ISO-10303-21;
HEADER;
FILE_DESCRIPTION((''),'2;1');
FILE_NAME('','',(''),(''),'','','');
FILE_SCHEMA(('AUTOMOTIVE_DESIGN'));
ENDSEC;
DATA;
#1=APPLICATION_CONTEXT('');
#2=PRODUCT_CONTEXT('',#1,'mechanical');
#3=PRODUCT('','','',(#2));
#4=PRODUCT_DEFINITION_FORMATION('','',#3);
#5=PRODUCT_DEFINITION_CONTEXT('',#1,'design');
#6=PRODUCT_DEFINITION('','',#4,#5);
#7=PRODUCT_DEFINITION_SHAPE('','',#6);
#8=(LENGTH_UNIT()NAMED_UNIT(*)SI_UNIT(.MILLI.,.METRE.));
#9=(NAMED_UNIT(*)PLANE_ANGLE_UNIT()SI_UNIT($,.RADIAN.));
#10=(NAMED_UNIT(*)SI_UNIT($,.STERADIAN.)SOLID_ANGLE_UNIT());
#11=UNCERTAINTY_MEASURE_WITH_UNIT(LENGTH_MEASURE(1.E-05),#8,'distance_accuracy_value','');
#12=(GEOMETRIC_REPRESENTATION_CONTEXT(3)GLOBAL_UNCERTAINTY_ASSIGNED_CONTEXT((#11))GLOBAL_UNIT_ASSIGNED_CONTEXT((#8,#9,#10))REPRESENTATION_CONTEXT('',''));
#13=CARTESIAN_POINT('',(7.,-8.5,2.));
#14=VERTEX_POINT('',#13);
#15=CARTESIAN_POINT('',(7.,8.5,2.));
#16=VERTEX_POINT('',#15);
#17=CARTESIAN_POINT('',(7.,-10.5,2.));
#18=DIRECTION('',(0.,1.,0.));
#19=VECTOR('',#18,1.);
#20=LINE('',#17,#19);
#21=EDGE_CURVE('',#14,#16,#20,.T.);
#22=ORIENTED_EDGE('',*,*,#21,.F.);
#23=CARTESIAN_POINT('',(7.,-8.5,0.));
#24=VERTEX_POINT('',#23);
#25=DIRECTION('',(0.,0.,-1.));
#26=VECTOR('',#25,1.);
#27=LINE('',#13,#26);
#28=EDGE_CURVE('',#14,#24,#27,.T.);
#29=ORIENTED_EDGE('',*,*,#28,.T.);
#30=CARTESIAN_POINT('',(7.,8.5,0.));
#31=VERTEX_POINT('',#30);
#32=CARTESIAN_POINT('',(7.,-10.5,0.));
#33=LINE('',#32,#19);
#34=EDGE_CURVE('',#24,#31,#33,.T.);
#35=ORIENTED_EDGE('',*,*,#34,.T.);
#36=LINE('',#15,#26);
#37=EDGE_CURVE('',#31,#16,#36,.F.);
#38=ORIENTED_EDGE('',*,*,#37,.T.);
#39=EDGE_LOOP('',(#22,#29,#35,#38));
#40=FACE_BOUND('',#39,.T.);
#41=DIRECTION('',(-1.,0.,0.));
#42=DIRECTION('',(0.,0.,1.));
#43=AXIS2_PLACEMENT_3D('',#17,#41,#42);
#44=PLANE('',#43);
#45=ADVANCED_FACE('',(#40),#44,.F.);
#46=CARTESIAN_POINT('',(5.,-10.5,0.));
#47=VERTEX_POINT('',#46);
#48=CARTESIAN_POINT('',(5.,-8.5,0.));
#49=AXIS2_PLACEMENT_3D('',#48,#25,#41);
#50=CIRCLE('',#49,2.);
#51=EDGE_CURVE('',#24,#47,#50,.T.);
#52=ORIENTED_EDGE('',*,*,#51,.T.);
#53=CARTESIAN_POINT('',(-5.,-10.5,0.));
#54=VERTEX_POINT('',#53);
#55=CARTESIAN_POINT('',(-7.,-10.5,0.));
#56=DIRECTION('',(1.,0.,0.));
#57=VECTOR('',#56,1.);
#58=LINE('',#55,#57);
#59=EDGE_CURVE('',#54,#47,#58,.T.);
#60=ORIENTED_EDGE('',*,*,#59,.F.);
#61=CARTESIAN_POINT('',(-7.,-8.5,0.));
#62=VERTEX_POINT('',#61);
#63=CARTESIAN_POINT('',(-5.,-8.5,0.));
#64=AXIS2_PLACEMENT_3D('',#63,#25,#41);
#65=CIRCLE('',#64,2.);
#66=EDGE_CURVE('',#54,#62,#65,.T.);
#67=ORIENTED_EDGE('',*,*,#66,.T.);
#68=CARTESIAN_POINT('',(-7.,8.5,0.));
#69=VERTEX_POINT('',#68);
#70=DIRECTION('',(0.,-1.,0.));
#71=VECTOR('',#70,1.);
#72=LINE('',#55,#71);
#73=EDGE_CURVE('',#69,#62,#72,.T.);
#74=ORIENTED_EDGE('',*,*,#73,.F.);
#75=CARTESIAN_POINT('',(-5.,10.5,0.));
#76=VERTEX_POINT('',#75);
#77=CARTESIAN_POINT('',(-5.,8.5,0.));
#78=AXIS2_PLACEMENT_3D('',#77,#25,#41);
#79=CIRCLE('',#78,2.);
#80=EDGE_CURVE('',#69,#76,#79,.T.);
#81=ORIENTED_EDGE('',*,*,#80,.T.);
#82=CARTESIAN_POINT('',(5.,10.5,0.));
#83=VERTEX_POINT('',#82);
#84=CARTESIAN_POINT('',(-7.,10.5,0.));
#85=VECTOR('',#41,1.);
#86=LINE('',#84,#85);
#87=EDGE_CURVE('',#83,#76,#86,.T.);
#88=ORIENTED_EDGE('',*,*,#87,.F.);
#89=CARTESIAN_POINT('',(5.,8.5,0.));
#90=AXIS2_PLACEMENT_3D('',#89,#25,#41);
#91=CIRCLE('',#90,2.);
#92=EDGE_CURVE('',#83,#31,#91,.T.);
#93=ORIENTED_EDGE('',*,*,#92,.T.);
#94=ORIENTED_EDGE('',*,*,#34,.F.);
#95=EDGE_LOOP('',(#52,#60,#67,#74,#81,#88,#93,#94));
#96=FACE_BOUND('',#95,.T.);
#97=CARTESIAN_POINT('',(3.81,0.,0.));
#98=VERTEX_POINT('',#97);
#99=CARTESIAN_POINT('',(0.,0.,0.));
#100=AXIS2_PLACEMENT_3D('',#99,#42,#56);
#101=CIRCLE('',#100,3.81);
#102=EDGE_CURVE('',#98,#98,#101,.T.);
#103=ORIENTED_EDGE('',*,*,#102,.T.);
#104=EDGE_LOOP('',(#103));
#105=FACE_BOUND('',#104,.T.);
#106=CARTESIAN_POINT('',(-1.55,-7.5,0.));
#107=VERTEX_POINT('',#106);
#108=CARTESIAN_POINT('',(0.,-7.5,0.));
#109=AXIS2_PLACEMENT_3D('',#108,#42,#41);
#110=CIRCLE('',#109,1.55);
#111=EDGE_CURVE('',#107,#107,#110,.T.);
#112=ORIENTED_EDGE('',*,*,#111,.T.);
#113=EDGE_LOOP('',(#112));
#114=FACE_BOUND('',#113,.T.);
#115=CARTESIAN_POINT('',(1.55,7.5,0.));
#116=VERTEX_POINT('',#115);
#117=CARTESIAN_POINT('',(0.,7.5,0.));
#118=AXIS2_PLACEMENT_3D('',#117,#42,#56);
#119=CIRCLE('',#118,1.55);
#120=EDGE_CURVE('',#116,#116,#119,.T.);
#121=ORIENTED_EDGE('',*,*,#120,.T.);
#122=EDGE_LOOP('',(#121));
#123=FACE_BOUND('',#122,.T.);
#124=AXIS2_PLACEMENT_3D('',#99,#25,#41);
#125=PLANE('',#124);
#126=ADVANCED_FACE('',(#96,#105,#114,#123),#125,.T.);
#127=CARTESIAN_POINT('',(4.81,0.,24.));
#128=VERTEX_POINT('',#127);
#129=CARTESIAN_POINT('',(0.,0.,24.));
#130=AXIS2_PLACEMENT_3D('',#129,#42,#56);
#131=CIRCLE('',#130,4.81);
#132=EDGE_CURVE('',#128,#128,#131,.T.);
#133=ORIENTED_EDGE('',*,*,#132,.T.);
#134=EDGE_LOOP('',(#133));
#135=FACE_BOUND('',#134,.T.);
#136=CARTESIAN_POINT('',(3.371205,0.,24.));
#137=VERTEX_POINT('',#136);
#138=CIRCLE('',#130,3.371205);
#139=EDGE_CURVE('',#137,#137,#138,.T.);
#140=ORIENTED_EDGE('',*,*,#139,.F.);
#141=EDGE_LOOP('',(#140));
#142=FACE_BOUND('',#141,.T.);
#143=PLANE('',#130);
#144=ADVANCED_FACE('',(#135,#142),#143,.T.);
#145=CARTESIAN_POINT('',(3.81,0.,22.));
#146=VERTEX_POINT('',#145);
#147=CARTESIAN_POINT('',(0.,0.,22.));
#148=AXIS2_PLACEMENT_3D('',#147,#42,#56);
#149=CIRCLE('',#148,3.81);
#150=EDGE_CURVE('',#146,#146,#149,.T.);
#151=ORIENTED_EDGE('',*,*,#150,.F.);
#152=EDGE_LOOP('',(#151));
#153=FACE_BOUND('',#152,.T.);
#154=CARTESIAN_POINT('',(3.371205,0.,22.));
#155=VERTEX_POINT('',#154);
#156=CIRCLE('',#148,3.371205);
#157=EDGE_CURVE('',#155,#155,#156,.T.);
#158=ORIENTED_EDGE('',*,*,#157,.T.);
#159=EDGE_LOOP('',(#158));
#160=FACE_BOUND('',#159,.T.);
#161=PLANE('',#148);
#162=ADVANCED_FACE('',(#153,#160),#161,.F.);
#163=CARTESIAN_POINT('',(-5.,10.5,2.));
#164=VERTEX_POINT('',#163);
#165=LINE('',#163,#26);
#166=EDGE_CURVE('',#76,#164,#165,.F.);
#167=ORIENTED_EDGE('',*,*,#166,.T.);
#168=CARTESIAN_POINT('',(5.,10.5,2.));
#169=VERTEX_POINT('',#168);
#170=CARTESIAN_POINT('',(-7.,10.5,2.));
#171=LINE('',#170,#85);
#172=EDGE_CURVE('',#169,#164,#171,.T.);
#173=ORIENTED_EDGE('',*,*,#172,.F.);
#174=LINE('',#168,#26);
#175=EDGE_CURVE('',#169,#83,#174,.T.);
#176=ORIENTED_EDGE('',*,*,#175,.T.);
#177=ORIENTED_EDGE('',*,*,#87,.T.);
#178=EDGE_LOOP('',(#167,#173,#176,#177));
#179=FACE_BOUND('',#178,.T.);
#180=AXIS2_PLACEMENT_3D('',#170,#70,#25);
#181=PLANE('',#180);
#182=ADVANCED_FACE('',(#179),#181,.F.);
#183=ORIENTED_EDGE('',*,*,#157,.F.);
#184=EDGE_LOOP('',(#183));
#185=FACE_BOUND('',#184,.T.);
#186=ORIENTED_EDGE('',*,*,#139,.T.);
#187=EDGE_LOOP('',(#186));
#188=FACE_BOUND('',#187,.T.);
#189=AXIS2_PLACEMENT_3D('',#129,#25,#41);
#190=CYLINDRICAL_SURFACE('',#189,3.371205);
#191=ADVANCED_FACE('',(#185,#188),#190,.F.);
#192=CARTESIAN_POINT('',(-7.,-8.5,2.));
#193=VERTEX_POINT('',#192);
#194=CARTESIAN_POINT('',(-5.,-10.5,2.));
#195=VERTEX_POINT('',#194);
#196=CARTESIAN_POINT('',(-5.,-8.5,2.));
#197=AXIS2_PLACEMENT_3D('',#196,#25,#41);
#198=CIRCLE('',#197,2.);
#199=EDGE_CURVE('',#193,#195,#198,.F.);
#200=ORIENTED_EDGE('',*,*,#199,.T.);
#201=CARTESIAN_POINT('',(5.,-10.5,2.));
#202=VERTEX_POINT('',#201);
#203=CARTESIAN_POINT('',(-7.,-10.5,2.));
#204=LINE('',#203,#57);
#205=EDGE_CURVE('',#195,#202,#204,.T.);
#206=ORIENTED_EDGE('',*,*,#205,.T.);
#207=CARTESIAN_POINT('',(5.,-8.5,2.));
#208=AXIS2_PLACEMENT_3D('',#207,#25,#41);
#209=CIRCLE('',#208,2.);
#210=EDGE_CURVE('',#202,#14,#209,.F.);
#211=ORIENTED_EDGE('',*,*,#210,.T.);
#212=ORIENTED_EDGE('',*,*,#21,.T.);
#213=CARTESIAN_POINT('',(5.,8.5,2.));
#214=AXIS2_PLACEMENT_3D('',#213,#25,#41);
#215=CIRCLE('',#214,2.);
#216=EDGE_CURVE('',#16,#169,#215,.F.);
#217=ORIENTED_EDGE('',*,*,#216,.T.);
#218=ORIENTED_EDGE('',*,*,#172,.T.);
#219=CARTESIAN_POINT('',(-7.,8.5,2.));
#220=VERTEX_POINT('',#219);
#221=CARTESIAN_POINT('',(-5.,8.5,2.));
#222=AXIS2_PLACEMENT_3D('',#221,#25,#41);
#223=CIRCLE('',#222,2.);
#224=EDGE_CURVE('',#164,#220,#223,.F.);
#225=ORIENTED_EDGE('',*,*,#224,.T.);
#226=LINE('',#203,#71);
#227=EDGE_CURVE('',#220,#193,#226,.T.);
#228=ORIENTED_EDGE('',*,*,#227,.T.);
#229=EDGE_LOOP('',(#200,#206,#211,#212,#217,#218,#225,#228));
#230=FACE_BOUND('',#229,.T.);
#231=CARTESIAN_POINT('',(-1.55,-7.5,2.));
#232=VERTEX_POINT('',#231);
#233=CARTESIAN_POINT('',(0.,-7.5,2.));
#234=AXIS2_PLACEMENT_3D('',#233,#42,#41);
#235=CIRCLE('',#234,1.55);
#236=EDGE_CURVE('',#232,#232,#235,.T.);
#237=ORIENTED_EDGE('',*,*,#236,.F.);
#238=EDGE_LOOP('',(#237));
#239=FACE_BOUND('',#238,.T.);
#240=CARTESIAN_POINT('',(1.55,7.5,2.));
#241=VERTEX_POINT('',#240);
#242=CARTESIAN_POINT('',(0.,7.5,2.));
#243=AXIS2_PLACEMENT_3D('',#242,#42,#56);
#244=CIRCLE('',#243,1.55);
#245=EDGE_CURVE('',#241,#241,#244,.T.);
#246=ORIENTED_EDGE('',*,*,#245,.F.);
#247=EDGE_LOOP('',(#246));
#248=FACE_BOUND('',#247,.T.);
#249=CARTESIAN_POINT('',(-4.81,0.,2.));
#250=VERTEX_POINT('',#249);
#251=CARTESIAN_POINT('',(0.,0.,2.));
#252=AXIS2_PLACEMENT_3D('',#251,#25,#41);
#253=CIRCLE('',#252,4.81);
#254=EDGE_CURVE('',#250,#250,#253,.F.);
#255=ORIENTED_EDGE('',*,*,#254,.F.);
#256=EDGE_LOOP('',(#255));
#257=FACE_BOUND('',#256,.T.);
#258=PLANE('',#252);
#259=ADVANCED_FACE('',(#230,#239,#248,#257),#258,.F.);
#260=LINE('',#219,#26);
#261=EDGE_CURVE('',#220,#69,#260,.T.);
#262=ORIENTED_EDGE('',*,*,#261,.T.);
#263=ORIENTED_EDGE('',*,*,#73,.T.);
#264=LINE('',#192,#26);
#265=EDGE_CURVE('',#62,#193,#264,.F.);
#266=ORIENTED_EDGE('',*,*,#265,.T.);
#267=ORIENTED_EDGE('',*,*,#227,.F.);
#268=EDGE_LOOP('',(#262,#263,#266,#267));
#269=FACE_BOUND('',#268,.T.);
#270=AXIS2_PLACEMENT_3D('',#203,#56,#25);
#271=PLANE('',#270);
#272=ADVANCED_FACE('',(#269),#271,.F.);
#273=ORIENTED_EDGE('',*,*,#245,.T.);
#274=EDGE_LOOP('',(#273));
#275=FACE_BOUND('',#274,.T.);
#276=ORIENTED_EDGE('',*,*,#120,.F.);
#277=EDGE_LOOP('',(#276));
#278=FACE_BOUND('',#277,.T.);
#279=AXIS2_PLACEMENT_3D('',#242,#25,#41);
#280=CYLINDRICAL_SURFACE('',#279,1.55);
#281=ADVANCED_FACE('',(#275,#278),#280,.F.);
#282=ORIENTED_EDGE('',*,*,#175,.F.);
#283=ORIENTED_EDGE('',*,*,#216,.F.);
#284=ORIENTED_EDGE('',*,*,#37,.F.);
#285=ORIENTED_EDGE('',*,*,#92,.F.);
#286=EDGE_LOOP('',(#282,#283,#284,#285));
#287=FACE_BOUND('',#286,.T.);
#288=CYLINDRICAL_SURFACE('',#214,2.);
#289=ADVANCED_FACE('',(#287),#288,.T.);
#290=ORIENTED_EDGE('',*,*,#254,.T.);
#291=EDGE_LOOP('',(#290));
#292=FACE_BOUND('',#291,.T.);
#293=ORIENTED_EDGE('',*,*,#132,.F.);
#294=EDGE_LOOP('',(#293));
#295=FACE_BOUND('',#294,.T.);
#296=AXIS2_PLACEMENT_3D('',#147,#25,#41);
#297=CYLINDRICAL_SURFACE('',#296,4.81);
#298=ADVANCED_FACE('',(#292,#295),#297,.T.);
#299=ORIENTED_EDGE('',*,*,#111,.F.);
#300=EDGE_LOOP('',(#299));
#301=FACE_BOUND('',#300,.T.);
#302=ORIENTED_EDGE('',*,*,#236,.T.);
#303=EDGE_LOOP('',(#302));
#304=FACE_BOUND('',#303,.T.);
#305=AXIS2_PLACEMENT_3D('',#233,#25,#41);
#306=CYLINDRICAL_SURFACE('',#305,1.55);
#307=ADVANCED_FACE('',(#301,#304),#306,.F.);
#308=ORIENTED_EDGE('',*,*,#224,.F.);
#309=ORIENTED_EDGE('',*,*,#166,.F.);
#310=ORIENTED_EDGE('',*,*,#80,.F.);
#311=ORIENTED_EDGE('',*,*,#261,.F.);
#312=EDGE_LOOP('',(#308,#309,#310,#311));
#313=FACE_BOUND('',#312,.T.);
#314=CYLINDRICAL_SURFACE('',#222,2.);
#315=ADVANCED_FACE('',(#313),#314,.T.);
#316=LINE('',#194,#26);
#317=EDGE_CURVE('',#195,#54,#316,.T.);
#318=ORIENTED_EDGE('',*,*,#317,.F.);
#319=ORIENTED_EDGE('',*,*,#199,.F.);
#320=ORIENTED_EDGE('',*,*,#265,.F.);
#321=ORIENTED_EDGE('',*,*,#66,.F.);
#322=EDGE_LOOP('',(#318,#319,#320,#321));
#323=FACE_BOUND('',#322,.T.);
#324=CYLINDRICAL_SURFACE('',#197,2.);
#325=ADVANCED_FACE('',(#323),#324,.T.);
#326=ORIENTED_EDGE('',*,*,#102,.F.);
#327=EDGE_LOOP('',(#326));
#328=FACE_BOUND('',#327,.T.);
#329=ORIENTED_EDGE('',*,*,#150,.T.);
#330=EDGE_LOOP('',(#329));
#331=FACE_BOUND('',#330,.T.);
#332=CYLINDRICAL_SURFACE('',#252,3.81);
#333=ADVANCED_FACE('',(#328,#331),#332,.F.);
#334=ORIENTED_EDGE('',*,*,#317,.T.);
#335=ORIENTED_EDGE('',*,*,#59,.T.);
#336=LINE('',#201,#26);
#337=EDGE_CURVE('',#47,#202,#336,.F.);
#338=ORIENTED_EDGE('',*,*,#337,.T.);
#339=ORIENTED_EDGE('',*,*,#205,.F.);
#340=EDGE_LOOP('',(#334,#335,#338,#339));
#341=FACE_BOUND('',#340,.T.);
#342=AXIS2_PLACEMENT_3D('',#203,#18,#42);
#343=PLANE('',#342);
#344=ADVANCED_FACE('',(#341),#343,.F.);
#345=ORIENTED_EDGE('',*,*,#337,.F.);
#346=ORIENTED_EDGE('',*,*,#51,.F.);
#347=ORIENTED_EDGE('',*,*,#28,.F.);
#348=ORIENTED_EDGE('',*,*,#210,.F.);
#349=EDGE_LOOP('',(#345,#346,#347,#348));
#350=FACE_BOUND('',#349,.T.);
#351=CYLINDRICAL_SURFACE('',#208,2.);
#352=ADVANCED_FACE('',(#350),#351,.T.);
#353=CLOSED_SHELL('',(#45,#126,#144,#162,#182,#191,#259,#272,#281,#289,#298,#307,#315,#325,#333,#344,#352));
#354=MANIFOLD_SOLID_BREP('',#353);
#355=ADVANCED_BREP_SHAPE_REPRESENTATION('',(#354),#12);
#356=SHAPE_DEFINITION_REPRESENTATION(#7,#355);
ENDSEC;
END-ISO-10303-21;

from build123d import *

# Parameters (mm, degrees)
SKETCH1_W           = 14
SKETCH1_H           = 21
SKETCH1_R           = 1.55
SKETCH1_R_2         = 3.81
BOSS_EXTRUDE1_DEPTH = 2
FILLET1_R           = 2
SKETCH3_R           = 4.81
SKETCH3_R_2         = 3.81
BOSS_EXTRUDE2_DEPTH = 20
SKETCH4_R           = 4.81
SKETCH4_R_2         = 3.371204608
BOSS_EXTRUDE3_DEPTH = 2


with BuildPart() as part:
    # Sketch1 → Boss-Extrude1 (new body)
    with BuildSketch(Plane.XY):
        Rectangle(SKETCH1_W, SKETCH1_H)
        with Locations((0, 7.5)):
            Circle(SKETCH1_R, mode=Mode.SUBTRACT)
        with Locations(Location((0, -7.5, 0), (0, 0, 180))):
            Circle(SKETCH1_R, mode=Mode.SUBTRACT)
        Circle(SKETCH1_R_2, mode=Mode.SUBTRACT)
    extrude(amount=BOSS_EXTRUDE1_DEPTH)

    # Fillet1
    fillet1_edges = [part.edges().sort_by_distance(p)[0] for p in [
        (7, -10.5, 1),
        (-7, -10.5, 1),
        (-7, 10.5, 1),
        (7, 10.5, 1),
    ]]
    fillet(fillet1_edges, radius=FILLET1_R)

    # Sketch3 → Boss-Extrude2 (add)
    with BuildSketch(Plane.XY.offset(2)):
        with Locations(Location((0, 0, 0), (0, 0, 180))):
            Circle(SKETCH3_R)
        Circle(SKETCH3_R_2, mode=Mode.SUBTRACT)
    extrude(amount=BOSS_EXTRUDE2_DEPTH)

    # Sketch4 → Boss-Extrude3 (add)
    with BuildSketch(Plane.XY.offset(22)):
        with Locations(Location((0, 0, 0), (0, 0, 180))):
            Circle(SKETCH4_R)
        Circle(SKETCH4_R_2, mode=Mode.SUBTRACT)
    extrude(amount=BOSS_EXTRUDE3_DEPTH)


solid = part.part
